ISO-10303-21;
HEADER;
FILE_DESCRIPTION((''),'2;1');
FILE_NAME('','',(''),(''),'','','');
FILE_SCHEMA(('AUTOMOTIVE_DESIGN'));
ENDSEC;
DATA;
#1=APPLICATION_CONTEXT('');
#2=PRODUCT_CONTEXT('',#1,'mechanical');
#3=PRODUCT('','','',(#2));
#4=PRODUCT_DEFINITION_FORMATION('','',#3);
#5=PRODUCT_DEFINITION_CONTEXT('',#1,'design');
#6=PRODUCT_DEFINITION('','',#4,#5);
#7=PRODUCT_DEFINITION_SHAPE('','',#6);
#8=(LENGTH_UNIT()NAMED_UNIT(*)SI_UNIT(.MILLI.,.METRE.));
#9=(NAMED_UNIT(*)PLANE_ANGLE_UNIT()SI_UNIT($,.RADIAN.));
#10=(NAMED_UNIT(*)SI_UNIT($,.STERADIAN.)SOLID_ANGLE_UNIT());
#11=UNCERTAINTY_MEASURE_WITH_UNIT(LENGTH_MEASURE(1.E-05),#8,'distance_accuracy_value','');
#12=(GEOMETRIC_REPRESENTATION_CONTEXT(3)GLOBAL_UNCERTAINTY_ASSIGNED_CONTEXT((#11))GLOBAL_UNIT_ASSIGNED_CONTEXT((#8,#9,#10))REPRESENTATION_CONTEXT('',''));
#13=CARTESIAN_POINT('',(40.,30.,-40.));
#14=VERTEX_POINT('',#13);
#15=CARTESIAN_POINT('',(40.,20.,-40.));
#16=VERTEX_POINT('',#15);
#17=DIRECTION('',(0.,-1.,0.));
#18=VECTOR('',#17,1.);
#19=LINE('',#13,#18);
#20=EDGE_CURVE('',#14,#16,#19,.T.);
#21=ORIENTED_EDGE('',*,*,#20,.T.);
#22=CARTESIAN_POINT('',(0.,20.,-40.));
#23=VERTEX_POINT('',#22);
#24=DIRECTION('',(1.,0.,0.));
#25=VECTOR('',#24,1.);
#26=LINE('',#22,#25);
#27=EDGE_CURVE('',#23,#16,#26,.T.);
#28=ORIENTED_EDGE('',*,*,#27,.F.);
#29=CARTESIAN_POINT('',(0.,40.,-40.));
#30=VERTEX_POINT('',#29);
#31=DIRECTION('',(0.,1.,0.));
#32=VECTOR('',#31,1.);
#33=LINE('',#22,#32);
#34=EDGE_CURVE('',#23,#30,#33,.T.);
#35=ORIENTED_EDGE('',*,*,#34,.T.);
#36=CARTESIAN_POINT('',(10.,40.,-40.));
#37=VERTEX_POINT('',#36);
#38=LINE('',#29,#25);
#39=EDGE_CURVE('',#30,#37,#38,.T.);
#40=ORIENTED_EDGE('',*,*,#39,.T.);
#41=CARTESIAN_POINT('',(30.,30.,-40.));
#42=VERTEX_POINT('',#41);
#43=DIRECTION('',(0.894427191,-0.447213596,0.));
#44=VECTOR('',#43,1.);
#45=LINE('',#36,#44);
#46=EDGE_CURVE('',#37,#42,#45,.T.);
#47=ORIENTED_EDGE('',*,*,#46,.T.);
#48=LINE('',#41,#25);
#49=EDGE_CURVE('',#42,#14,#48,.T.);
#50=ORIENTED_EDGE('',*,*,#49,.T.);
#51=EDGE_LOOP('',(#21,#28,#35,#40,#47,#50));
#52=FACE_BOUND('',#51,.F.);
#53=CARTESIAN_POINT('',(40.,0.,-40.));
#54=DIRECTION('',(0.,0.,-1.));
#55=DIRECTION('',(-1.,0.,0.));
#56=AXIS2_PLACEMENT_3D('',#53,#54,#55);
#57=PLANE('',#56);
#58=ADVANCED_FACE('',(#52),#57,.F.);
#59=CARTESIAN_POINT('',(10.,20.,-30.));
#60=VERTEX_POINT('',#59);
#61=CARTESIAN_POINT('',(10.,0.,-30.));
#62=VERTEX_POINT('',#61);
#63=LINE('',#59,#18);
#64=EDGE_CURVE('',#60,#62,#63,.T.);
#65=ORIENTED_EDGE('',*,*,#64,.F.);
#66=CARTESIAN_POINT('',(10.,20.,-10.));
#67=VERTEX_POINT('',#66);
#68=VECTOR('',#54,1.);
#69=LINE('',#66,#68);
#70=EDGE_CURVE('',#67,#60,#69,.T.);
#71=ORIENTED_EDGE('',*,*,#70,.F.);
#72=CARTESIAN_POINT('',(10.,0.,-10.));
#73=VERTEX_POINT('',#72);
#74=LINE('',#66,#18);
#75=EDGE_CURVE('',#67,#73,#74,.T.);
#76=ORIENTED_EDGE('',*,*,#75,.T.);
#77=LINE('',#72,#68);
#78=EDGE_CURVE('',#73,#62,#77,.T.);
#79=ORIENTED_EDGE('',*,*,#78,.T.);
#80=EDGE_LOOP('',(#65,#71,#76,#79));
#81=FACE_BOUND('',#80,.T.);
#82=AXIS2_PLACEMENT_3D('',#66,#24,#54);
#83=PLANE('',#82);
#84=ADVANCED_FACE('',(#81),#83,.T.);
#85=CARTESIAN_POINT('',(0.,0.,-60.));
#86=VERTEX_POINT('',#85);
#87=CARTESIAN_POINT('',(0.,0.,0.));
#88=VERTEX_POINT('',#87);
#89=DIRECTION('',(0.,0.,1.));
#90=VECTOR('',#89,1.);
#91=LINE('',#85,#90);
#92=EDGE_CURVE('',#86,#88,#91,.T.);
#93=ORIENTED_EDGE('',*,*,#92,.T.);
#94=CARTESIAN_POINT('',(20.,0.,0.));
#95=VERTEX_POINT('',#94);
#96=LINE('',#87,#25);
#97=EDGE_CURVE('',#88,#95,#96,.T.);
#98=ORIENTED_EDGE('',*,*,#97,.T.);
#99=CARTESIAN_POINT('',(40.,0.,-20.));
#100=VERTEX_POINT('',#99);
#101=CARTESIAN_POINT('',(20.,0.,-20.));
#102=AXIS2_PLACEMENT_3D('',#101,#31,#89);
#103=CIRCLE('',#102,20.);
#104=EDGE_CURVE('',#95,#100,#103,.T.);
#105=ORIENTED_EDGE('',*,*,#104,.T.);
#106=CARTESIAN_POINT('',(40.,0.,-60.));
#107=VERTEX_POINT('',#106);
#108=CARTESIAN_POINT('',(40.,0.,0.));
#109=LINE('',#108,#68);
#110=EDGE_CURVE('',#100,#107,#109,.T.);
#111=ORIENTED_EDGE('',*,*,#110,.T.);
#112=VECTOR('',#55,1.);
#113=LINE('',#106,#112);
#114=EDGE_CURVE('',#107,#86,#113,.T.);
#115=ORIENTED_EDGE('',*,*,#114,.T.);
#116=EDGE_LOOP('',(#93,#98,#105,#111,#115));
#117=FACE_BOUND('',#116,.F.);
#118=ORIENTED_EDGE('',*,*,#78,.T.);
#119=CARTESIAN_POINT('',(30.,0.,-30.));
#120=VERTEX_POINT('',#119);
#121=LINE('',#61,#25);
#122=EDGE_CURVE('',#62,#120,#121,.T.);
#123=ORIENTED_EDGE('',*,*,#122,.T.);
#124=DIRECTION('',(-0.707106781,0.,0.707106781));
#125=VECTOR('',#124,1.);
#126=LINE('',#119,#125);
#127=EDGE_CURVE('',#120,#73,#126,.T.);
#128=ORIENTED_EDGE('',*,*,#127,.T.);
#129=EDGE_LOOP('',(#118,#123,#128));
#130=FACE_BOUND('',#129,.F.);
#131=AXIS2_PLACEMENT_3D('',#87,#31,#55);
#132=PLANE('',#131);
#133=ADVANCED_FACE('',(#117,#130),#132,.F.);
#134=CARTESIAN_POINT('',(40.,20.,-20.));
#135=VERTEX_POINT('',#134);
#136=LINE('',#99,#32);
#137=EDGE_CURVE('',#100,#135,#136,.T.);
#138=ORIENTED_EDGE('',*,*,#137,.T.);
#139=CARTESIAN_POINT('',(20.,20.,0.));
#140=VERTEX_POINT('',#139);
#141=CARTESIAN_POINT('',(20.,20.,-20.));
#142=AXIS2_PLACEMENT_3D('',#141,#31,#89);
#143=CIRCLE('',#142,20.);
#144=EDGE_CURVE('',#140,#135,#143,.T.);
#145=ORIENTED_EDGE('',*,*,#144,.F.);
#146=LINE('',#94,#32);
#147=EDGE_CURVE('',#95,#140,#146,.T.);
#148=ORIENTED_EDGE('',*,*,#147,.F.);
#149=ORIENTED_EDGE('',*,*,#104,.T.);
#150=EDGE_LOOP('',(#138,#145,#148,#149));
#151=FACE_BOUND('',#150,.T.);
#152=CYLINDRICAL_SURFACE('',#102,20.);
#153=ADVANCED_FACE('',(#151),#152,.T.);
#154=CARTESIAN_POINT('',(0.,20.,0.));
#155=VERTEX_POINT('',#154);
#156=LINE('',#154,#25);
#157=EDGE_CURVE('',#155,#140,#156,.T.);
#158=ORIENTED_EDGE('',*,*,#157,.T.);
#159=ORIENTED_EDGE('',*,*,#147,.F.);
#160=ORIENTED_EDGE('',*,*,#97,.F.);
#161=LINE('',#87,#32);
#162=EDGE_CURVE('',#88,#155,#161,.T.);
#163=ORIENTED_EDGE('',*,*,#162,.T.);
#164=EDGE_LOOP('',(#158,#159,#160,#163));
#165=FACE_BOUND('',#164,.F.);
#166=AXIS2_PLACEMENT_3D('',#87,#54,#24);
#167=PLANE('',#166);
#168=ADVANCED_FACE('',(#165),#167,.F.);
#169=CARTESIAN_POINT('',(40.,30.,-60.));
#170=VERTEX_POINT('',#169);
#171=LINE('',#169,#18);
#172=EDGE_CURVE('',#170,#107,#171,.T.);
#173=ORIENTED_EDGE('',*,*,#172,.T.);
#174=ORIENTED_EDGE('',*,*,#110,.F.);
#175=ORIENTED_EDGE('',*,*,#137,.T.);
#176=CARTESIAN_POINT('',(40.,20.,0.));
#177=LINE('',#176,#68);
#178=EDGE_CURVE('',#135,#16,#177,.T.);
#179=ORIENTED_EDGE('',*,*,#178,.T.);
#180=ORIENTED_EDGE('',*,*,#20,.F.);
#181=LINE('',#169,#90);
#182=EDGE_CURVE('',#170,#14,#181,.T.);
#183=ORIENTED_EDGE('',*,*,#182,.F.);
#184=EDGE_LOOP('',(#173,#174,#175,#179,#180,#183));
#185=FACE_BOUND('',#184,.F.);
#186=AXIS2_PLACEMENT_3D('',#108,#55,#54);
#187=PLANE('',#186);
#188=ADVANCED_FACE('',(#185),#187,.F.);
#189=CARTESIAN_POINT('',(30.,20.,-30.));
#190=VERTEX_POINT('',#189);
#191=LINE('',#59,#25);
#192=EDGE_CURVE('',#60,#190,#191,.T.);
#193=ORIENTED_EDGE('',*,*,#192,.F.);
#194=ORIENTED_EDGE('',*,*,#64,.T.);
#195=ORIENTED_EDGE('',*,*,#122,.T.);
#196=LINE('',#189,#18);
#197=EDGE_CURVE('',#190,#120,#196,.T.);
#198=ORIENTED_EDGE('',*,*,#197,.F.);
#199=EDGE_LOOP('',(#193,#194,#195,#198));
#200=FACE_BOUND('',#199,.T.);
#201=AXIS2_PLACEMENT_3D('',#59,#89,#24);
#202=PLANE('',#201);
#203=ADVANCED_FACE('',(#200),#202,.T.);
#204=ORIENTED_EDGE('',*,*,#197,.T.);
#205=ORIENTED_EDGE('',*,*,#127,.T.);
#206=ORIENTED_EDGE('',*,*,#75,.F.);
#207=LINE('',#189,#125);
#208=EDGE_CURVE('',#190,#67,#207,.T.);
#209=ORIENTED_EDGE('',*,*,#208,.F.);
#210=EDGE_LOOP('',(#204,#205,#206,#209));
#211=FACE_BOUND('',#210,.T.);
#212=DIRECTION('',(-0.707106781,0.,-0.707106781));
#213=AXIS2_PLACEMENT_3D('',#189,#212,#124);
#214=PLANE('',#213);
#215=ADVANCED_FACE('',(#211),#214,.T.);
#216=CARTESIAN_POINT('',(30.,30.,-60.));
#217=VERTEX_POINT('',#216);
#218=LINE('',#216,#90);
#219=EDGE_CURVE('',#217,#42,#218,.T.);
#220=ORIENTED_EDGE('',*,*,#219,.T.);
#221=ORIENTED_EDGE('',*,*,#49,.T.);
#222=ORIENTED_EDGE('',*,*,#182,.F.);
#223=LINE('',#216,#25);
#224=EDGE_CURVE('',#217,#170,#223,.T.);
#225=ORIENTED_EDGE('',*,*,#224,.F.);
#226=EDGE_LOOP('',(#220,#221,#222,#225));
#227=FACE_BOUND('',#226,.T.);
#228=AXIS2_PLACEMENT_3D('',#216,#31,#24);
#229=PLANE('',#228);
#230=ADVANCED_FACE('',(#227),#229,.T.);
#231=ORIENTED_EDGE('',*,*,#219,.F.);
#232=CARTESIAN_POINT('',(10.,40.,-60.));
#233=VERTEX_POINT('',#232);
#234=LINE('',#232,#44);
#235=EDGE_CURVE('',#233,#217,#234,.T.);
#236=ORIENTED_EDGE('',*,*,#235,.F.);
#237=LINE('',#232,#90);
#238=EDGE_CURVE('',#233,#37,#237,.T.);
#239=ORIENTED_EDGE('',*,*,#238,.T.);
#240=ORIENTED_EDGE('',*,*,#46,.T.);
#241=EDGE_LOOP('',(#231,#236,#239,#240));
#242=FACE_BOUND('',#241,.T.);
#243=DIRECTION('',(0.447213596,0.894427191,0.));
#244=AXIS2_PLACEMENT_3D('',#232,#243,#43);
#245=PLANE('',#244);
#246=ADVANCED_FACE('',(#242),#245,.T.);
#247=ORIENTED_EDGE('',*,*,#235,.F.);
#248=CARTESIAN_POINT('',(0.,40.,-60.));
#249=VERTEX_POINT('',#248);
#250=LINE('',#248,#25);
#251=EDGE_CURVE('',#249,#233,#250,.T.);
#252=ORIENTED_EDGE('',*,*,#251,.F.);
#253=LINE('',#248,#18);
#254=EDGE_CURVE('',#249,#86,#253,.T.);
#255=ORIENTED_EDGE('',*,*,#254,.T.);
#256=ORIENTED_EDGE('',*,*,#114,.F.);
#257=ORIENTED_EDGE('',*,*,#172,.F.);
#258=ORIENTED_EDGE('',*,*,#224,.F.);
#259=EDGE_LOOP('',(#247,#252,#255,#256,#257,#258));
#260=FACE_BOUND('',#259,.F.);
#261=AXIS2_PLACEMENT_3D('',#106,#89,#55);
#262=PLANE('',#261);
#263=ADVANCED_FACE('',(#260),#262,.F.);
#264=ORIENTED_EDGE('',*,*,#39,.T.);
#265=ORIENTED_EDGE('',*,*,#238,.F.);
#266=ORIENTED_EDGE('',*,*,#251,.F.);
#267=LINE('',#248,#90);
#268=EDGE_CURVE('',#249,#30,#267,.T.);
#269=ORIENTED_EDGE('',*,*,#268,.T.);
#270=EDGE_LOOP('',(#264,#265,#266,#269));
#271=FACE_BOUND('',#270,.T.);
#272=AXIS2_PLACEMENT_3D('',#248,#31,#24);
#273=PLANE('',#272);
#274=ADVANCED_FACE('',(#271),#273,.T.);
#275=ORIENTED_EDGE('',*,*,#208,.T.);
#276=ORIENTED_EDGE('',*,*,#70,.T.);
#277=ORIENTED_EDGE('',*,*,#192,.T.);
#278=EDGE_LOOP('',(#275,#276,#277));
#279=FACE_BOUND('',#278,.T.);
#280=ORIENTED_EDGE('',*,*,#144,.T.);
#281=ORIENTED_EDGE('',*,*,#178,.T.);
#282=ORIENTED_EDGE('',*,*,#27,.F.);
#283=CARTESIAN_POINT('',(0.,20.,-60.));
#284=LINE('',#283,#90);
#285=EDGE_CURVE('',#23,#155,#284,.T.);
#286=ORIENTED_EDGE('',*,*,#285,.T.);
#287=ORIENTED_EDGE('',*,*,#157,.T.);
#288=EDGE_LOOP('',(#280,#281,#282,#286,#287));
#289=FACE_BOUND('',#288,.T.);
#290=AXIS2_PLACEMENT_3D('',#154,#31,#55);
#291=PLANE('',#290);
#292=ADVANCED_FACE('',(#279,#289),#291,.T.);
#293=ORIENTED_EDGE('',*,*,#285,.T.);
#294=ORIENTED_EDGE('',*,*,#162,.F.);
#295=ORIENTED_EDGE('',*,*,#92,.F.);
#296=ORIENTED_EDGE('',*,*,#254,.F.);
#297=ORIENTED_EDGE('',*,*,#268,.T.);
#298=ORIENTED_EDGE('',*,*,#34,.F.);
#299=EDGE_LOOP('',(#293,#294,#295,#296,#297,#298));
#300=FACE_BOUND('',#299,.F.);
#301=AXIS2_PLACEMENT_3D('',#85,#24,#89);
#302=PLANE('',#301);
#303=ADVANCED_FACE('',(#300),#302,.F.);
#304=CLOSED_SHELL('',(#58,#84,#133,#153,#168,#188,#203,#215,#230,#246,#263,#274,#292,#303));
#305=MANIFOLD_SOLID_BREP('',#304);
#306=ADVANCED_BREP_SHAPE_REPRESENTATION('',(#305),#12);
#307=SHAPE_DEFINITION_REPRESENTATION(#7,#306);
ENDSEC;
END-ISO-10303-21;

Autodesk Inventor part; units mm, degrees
ref_plane "YZ Plane" through (0, 0, 0) normal (1, 0, 0) x (0, 1, 0)
ref_plane "XZ Plane" through (0, 0, 0) normal (0, 1, 0) x (-1, 0, 0)
ref_plane "XY Plane" through (0, 0, 0) normal (0, 0, 1) x (1, 0, 0)
sketch "草圖1" plane through (0, 0, 0) normal (0, 1, 0) x (-1, 0, 0)
  line L0 (0, 0) -> (-40, 0)
  line L1 (-40, 0) -> (-40, -60)
  line L2 (-40, -60) -> (0, -60)
  line L3 (0, -60) -> (0, 0)
  dimension "d0" = 40
  dimension "d1" = 60
extrude "擠出1" add sketch "草圖1" along normal blind 20
sketch "草圖2" plane through (40, 0, -60) normal (0, 0, -1) x (-1, 0, 0)
  line L0 (40, 20) -> (0, 20) projected
  line L1 (40, 20) -> (40, 40)
  line L2 (40, 40) -> (30, 40)
  line L3 (30, 40) -> (10, 30)
  line L4 (10, 30) -> (0, 30)
  line L5 (0, 30) -> (0, 20)
  line L6 (0, 0) -> (40, 0) projected
  dimension "d4" = 40
  dimension "d5" = 10
  dimension "d6" = 10
  dimension "d7" = 10
extrude "擠出2" add sketch "草圖2" against normal blind 20
fillet "圓角1" radius 20 1 edges at (40, 10, 0)
sketch "草圖3" plane through (0, 20, 0) normal (0, 1, 0) x (1, 0, 0)
  line L0 (10, 30) -> (30, 30)
  line L1 (30, 30) -> (10, 10)
  line L2 (10, 10) -> (10, 30)
  line L3 (0, 40) -> (0, 0) projected
  line L4 (0, 0) -> (20, 0) projected
  line L5 (30, 40) -> (10, 40) projected
  line L6 (40, 20) -> (40, 40) projected
  dimension "d11" = 10
  dimension "d12" = 10
  dimension "d13" = 10
  dimension "d14" = 10
extrude "擠出3" cut sketch "草圖3" against normal blind 20
properties part number "37(54283.185 mm^3)"
